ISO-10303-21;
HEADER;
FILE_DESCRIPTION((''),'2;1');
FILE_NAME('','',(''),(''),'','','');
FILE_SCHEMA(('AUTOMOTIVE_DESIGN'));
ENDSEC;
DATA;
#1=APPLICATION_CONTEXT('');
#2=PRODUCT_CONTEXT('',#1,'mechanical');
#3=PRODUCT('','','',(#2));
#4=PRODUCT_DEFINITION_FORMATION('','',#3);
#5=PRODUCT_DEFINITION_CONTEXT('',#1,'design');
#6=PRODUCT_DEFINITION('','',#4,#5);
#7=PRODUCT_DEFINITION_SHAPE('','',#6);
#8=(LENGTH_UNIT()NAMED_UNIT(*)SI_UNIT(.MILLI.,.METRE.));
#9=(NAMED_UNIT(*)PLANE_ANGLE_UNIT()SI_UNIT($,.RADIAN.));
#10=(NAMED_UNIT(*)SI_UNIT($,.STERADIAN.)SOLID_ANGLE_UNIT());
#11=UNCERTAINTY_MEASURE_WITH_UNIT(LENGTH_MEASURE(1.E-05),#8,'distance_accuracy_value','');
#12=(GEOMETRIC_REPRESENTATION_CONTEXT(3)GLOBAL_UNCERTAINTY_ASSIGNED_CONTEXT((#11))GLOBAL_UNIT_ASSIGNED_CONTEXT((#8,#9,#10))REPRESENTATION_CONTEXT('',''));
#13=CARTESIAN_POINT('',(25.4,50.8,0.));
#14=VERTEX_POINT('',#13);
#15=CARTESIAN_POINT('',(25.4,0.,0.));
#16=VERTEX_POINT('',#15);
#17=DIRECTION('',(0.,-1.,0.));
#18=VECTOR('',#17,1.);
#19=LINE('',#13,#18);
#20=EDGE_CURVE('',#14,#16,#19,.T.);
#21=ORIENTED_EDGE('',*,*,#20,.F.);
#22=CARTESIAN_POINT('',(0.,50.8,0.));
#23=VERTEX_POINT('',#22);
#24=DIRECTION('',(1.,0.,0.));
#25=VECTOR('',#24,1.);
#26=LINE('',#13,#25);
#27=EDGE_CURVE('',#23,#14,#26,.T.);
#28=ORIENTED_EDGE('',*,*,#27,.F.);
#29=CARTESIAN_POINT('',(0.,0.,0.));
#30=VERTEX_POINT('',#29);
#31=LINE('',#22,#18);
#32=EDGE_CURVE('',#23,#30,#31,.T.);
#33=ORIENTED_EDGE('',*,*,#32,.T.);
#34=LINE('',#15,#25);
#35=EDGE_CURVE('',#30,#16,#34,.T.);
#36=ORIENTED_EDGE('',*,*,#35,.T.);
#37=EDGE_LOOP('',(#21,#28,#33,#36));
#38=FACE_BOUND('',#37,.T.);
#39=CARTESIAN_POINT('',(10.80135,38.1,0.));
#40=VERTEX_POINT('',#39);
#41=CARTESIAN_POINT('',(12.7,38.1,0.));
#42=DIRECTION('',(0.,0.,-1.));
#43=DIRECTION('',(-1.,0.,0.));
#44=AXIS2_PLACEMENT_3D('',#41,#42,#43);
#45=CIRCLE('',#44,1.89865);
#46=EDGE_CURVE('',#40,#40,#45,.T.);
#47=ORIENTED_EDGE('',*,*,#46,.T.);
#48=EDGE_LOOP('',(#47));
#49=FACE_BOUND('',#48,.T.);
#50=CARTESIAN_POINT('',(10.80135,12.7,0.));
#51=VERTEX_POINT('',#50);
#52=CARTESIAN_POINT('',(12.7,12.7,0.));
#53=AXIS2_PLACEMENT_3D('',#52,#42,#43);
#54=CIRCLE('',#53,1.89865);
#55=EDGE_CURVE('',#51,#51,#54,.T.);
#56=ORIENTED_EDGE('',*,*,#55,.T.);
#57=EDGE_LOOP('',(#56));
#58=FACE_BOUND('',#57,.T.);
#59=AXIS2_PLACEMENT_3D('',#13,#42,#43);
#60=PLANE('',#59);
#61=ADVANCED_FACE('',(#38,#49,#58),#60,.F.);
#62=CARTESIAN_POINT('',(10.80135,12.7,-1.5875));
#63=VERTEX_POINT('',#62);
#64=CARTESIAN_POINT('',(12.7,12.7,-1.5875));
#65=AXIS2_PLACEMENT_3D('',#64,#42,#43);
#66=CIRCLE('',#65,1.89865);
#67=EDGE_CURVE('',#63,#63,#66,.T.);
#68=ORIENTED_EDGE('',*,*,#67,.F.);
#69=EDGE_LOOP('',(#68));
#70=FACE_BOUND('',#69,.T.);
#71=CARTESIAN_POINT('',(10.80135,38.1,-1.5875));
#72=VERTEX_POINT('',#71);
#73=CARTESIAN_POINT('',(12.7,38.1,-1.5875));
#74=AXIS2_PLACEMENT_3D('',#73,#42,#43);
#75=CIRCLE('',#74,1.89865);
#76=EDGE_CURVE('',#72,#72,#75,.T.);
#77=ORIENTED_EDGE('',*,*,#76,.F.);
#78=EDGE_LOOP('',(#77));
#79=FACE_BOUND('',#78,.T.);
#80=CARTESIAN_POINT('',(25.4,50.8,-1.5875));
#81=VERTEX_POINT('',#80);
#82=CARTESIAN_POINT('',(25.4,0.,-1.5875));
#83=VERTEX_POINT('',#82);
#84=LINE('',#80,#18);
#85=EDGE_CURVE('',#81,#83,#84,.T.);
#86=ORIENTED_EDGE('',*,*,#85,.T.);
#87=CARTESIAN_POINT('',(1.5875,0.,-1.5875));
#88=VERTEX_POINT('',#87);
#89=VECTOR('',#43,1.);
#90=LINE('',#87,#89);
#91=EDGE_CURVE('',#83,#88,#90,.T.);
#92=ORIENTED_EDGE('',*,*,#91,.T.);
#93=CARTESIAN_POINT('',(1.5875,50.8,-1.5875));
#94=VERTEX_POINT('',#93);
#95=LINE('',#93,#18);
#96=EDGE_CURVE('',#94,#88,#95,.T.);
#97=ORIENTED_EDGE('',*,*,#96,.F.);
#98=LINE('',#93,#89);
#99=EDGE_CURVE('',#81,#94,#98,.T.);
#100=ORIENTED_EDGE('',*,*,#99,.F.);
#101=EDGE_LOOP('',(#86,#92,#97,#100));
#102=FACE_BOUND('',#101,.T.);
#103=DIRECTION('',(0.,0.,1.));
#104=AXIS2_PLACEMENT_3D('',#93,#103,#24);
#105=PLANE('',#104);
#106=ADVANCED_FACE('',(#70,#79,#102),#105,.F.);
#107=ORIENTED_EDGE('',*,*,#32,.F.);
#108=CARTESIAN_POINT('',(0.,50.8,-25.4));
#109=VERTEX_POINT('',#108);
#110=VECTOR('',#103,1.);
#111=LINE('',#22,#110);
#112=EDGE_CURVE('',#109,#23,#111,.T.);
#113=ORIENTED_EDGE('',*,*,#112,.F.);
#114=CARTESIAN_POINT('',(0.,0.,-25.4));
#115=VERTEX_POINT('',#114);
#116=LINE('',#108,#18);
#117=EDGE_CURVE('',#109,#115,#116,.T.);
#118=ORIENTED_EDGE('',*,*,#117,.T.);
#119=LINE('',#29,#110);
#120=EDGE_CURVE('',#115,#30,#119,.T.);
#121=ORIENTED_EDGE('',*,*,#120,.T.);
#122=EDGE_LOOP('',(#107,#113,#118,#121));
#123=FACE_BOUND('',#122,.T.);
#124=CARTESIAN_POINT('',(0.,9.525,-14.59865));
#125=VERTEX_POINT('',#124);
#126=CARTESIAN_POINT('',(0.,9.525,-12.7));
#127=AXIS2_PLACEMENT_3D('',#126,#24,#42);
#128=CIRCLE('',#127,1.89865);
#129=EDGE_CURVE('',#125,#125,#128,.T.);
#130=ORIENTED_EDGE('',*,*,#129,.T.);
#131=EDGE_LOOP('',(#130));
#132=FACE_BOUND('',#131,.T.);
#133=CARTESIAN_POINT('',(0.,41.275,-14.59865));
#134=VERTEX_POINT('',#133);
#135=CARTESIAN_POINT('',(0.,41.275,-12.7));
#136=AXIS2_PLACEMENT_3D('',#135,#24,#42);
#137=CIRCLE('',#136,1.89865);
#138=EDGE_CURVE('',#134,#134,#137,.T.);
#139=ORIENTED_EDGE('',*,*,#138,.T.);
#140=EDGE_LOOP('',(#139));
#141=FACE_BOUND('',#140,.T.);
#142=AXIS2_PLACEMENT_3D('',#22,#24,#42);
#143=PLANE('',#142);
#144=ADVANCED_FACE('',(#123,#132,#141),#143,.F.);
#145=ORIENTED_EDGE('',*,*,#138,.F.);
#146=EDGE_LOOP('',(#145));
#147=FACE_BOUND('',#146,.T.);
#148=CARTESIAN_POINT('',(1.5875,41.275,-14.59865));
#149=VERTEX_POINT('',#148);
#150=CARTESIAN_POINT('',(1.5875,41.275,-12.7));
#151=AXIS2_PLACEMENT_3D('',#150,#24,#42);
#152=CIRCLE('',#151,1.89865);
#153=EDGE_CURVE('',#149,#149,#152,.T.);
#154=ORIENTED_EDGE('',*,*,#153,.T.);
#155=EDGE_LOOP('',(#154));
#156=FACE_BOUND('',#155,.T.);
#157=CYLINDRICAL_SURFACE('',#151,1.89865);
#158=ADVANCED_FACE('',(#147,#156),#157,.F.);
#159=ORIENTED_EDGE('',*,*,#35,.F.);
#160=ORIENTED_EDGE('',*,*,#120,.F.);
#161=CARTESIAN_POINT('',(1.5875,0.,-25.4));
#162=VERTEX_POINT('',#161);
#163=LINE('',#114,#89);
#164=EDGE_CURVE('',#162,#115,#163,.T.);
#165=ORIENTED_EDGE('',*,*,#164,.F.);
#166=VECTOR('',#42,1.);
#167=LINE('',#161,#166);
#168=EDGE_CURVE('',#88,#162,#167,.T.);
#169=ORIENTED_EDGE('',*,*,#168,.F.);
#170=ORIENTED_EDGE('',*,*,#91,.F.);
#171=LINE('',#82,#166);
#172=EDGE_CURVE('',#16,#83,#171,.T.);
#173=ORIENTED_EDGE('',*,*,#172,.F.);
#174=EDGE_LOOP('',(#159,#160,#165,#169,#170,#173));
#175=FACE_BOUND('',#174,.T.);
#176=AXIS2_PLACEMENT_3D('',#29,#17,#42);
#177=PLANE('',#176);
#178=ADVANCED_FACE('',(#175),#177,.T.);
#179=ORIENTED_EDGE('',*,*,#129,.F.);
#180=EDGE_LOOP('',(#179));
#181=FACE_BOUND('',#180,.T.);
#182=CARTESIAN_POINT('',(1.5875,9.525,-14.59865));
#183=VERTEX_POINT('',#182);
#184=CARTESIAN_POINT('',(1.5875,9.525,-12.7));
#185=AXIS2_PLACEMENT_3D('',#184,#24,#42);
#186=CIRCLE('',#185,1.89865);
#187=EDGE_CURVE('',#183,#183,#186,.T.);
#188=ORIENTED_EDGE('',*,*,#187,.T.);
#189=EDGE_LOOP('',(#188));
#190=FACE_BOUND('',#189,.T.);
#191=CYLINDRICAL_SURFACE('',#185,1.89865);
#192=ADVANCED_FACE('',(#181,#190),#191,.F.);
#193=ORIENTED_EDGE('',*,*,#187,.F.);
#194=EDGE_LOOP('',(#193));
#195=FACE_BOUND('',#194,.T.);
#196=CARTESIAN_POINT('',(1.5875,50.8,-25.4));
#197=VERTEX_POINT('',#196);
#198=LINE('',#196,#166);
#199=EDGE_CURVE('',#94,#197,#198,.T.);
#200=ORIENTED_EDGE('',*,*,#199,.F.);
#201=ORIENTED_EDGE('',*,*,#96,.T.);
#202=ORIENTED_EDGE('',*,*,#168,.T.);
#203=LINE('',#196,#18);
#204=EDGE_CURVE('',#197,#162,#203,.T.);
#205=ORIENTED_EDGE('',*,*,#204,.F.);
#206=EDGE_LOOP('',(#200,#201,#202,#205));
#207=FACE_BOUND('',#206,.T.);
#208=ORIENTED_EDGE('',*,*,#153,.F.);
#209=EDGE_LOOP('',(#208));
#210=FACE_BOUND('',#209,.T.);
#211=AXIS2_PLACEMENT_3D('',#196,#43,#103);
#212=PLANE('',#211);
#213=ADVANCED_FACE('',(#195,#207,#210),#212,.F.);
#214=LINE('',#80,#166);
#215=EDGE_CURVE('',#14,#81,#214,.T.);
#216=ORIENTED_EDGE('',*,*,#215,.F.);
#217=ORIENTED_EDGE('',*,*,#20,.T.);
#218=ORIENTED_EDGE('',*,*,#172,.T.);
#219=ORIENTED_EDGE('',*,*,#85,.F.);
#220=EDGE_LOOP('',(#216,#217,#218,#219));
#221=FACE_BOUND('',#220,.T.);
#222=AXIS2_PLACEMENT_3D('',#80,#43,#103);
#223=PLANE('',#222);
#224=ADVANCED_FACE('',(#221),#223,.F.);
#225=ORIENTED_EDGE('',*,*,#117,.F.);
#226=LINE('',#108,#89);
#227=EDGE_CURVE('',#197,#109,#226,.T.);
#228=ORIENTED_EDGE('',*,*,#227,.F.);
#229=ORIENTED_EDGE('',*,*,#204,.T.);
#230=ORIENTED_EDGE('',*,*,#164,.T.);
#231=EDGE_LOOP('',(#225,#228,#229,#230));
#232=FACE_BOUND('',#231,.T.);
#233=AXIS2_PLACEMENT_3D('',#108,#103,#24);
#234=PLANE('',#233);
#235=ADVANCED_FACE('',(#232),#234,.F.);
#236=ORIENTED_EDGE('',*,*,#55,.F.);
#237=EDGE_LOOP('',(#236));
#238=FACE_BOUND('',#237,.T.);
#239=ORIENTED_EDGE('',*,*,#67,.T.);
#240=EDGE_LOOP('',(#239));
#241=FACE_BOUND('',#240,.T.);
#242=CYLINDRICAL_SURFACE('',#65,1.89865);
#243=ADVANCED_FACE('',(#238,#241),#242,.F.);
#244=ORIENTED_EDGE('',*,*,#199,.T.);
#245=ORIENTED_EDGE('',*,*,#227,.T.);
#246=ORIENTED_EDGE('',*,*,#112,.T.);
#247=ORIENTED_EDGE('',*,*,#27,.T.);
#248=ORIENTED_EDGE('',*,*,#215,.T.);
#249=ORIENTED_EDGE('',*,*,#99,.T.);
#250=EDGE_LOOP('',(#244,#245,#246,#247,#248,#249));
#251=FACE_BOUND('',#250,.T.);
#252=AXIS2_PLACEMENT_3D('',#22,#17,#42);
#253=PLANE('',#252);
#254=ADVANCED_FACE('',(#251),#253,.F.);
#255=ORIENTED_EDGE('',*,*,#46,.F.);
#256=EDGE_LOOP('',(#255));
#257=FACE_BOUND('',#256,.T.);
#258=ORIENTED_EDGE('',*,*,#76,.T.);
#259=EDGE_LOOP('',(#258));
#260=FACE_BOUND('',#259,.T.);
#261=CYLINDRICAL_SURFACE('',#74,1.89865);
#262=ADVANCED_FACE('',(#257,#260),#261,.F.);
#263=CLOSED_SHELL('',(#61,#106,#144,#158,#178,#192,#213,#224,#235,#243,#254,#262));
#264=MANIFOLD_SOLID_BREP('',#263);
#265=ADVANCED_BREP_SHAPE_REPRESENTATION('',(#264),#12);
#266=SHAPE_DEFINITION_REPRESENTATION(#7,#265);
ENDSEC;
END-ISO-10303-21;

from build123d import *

# Parameters (mm, degrees)
BOSS_EXTRUDE1_DEPTH   = 50.8
F_6_CLEARANCE_HOLE1_D = 3.7973
F_6_CLEARANCE_HOLE2_D = 3.7973


with BuildPart() as part:
    # Sketch1 → Boss-Extrude1 (new body)
    with BuildSketch(Plane(origin=(0, 0, 0), x_dir=(1, 0, 0), z_dir=(0, 1, 0))):
        Polygon((0, 25.4), (1.5875, 25.4), (1.5875, 1.5875), (25.4, 1.5875), (25.4, 0), (0, 0), align=None)
    extrude(amount=BOSS_EXTRUDE1_DEPTH)

    # #6 Clearance Hole1 (through all)
    with Locations(Plane(origin=(0, 0, -1.5875), x_dir=(-1, 0, 0), z_dir=(0, 0, -1))):
        with Locations((-12.7, 38.1), (-12.7, 12.7)):
            Hole(F_6_CLEARANCE_HOLE1_D / 2)

    # #6 Clearance Hole2 (through all)
    with Locations(Plane(origin=(1.5875, 0, 0), x_dir=(0, 0, -1), z_dir=(1, 0, 0))):
        with Locations((12.7, 41.275), (12.7, 9.525)):
            Hole(F_6_CLEARANCE_HOLE2_D / 2)


solid = part.part
